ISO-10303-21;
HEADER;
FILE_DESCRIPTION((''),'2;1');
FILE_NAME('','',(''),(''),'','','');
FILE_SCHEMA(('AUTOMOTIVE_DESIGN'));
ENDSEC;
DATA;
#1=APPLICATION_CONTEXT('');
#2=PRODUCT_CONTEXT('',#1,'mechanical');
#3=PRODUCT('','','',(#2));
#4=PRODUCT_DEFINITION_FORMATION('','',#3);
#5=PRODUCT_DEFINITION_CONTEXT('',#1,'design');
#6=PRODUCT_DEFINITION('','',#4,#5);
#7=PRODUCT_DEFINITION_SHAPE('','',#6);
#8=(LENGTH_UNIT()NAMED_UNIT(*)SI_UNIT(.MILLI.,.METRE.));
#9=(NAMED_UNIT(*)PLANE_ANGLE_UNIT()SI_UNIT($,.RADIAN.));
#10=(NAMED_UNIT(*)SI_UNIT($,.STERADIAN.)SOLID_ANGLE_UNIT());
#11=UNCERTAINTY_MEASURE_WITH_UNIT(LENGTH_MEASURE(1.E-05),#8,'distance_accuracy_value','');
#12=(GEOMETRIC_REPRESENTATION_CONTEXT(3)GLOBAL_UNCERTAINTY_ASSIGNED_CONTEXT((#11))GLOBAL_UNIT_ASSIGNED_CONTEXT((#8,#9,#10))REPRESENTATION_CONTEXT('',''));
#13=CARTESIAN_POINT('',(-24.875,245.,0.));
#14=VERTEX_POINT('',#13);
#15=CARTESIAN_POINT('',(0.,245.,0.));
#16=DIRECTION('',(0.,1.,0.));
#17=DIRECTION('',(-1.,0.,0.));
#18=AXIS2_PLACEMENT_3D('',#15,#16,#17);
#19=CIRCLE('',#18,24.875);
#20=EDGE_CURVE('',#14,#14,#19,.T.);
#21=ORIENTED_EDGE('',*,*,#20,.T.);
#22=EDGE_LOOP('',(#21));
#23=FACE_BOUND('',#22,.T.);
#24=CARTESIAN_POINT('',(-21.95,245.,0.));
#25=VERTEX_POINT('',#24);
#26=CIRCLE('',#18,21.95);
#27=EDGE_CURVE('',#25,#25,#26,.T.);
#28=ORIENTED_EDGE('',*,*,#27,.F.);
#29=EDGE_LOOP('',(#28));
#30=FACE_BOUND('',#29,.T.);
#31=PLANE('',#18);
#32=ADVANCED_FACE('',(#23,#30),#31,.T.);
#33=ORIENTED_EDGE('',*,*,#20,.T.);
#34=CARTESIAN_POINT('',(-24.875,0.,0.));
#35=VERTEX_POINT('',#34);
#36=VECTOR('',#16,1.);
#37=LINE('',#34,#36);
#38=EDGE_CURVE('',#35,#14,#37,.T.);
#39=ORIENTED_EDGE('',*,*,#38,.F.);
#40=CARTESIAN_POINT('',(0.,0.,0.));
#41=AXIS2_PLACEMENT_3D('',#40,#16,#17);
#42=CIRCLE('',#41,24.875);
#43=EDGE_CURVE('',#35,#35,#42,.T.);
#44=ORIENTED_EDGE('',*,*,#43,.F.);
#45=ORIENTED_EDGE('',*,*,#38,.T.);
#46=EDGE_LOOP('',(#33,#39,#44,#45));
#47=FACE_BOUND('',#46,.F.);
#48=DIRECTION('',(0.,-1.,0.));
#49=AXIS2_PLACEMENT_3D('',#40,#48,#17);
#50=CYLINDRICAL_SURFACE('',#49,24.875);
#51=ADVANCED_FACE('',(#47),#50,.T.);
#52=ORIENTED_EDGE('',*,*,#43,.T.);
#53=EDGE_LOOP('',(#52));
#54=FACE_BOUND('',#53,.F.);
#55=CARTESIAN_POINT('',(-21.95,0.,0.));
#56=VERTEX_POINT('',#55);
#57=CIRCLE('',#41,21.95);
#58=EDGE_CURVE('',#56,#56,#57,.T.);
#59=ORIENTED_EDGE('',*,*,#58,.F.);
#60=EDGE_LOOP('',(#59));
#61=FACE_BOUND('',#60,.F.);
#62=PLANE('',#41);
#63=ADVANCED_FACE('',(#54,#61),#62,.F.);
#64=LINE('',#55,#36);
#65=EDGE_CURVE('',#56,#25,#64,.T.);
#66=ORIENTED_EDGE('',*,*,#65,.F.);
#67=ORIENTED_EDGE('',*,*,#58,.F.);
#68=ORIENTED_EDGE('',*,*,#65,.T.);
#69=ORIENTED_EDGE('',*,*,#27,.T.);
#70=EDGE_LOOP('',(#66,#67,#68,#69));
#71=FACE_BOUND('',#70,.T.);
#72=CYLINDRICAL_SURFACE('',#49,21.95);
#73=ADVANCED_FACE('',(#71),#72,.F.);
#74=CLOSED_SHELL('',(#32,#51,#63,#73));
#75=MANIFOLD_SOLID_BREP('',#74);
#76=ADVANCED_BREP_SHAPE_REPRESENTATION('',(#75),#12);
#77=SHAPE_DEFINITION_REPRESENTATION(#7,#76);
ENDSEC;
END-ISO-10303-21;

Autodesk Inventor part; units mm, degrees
ref_plane "YZ Plane" through (0, 0, 0) normal (1, 0, 0) x (0, 1, 0)
ref_plane "XZ Plane" through (0, 0, 0) normal (0, 1, 0) x (-1, 0, 0)
ref_plane "XY Plane" through (0, 0, 0) normal (0, 0, 1) x (1, 0, 0)
sketch "Boceto1" plane through (0, 0, 0) normal (0, 1, 0) x (-1, 0, 0)
  circle A0 centre (0, 0) radius 24.875
  circle A1 centre (0, 0) radius 21.95
  dimension "d0" = 49.75
  dimension "d1" = 43.9
extrude "Extrusión1" add sketch "Boceto1" along normal blind 245
properties part number "Cilindro_hueco"
